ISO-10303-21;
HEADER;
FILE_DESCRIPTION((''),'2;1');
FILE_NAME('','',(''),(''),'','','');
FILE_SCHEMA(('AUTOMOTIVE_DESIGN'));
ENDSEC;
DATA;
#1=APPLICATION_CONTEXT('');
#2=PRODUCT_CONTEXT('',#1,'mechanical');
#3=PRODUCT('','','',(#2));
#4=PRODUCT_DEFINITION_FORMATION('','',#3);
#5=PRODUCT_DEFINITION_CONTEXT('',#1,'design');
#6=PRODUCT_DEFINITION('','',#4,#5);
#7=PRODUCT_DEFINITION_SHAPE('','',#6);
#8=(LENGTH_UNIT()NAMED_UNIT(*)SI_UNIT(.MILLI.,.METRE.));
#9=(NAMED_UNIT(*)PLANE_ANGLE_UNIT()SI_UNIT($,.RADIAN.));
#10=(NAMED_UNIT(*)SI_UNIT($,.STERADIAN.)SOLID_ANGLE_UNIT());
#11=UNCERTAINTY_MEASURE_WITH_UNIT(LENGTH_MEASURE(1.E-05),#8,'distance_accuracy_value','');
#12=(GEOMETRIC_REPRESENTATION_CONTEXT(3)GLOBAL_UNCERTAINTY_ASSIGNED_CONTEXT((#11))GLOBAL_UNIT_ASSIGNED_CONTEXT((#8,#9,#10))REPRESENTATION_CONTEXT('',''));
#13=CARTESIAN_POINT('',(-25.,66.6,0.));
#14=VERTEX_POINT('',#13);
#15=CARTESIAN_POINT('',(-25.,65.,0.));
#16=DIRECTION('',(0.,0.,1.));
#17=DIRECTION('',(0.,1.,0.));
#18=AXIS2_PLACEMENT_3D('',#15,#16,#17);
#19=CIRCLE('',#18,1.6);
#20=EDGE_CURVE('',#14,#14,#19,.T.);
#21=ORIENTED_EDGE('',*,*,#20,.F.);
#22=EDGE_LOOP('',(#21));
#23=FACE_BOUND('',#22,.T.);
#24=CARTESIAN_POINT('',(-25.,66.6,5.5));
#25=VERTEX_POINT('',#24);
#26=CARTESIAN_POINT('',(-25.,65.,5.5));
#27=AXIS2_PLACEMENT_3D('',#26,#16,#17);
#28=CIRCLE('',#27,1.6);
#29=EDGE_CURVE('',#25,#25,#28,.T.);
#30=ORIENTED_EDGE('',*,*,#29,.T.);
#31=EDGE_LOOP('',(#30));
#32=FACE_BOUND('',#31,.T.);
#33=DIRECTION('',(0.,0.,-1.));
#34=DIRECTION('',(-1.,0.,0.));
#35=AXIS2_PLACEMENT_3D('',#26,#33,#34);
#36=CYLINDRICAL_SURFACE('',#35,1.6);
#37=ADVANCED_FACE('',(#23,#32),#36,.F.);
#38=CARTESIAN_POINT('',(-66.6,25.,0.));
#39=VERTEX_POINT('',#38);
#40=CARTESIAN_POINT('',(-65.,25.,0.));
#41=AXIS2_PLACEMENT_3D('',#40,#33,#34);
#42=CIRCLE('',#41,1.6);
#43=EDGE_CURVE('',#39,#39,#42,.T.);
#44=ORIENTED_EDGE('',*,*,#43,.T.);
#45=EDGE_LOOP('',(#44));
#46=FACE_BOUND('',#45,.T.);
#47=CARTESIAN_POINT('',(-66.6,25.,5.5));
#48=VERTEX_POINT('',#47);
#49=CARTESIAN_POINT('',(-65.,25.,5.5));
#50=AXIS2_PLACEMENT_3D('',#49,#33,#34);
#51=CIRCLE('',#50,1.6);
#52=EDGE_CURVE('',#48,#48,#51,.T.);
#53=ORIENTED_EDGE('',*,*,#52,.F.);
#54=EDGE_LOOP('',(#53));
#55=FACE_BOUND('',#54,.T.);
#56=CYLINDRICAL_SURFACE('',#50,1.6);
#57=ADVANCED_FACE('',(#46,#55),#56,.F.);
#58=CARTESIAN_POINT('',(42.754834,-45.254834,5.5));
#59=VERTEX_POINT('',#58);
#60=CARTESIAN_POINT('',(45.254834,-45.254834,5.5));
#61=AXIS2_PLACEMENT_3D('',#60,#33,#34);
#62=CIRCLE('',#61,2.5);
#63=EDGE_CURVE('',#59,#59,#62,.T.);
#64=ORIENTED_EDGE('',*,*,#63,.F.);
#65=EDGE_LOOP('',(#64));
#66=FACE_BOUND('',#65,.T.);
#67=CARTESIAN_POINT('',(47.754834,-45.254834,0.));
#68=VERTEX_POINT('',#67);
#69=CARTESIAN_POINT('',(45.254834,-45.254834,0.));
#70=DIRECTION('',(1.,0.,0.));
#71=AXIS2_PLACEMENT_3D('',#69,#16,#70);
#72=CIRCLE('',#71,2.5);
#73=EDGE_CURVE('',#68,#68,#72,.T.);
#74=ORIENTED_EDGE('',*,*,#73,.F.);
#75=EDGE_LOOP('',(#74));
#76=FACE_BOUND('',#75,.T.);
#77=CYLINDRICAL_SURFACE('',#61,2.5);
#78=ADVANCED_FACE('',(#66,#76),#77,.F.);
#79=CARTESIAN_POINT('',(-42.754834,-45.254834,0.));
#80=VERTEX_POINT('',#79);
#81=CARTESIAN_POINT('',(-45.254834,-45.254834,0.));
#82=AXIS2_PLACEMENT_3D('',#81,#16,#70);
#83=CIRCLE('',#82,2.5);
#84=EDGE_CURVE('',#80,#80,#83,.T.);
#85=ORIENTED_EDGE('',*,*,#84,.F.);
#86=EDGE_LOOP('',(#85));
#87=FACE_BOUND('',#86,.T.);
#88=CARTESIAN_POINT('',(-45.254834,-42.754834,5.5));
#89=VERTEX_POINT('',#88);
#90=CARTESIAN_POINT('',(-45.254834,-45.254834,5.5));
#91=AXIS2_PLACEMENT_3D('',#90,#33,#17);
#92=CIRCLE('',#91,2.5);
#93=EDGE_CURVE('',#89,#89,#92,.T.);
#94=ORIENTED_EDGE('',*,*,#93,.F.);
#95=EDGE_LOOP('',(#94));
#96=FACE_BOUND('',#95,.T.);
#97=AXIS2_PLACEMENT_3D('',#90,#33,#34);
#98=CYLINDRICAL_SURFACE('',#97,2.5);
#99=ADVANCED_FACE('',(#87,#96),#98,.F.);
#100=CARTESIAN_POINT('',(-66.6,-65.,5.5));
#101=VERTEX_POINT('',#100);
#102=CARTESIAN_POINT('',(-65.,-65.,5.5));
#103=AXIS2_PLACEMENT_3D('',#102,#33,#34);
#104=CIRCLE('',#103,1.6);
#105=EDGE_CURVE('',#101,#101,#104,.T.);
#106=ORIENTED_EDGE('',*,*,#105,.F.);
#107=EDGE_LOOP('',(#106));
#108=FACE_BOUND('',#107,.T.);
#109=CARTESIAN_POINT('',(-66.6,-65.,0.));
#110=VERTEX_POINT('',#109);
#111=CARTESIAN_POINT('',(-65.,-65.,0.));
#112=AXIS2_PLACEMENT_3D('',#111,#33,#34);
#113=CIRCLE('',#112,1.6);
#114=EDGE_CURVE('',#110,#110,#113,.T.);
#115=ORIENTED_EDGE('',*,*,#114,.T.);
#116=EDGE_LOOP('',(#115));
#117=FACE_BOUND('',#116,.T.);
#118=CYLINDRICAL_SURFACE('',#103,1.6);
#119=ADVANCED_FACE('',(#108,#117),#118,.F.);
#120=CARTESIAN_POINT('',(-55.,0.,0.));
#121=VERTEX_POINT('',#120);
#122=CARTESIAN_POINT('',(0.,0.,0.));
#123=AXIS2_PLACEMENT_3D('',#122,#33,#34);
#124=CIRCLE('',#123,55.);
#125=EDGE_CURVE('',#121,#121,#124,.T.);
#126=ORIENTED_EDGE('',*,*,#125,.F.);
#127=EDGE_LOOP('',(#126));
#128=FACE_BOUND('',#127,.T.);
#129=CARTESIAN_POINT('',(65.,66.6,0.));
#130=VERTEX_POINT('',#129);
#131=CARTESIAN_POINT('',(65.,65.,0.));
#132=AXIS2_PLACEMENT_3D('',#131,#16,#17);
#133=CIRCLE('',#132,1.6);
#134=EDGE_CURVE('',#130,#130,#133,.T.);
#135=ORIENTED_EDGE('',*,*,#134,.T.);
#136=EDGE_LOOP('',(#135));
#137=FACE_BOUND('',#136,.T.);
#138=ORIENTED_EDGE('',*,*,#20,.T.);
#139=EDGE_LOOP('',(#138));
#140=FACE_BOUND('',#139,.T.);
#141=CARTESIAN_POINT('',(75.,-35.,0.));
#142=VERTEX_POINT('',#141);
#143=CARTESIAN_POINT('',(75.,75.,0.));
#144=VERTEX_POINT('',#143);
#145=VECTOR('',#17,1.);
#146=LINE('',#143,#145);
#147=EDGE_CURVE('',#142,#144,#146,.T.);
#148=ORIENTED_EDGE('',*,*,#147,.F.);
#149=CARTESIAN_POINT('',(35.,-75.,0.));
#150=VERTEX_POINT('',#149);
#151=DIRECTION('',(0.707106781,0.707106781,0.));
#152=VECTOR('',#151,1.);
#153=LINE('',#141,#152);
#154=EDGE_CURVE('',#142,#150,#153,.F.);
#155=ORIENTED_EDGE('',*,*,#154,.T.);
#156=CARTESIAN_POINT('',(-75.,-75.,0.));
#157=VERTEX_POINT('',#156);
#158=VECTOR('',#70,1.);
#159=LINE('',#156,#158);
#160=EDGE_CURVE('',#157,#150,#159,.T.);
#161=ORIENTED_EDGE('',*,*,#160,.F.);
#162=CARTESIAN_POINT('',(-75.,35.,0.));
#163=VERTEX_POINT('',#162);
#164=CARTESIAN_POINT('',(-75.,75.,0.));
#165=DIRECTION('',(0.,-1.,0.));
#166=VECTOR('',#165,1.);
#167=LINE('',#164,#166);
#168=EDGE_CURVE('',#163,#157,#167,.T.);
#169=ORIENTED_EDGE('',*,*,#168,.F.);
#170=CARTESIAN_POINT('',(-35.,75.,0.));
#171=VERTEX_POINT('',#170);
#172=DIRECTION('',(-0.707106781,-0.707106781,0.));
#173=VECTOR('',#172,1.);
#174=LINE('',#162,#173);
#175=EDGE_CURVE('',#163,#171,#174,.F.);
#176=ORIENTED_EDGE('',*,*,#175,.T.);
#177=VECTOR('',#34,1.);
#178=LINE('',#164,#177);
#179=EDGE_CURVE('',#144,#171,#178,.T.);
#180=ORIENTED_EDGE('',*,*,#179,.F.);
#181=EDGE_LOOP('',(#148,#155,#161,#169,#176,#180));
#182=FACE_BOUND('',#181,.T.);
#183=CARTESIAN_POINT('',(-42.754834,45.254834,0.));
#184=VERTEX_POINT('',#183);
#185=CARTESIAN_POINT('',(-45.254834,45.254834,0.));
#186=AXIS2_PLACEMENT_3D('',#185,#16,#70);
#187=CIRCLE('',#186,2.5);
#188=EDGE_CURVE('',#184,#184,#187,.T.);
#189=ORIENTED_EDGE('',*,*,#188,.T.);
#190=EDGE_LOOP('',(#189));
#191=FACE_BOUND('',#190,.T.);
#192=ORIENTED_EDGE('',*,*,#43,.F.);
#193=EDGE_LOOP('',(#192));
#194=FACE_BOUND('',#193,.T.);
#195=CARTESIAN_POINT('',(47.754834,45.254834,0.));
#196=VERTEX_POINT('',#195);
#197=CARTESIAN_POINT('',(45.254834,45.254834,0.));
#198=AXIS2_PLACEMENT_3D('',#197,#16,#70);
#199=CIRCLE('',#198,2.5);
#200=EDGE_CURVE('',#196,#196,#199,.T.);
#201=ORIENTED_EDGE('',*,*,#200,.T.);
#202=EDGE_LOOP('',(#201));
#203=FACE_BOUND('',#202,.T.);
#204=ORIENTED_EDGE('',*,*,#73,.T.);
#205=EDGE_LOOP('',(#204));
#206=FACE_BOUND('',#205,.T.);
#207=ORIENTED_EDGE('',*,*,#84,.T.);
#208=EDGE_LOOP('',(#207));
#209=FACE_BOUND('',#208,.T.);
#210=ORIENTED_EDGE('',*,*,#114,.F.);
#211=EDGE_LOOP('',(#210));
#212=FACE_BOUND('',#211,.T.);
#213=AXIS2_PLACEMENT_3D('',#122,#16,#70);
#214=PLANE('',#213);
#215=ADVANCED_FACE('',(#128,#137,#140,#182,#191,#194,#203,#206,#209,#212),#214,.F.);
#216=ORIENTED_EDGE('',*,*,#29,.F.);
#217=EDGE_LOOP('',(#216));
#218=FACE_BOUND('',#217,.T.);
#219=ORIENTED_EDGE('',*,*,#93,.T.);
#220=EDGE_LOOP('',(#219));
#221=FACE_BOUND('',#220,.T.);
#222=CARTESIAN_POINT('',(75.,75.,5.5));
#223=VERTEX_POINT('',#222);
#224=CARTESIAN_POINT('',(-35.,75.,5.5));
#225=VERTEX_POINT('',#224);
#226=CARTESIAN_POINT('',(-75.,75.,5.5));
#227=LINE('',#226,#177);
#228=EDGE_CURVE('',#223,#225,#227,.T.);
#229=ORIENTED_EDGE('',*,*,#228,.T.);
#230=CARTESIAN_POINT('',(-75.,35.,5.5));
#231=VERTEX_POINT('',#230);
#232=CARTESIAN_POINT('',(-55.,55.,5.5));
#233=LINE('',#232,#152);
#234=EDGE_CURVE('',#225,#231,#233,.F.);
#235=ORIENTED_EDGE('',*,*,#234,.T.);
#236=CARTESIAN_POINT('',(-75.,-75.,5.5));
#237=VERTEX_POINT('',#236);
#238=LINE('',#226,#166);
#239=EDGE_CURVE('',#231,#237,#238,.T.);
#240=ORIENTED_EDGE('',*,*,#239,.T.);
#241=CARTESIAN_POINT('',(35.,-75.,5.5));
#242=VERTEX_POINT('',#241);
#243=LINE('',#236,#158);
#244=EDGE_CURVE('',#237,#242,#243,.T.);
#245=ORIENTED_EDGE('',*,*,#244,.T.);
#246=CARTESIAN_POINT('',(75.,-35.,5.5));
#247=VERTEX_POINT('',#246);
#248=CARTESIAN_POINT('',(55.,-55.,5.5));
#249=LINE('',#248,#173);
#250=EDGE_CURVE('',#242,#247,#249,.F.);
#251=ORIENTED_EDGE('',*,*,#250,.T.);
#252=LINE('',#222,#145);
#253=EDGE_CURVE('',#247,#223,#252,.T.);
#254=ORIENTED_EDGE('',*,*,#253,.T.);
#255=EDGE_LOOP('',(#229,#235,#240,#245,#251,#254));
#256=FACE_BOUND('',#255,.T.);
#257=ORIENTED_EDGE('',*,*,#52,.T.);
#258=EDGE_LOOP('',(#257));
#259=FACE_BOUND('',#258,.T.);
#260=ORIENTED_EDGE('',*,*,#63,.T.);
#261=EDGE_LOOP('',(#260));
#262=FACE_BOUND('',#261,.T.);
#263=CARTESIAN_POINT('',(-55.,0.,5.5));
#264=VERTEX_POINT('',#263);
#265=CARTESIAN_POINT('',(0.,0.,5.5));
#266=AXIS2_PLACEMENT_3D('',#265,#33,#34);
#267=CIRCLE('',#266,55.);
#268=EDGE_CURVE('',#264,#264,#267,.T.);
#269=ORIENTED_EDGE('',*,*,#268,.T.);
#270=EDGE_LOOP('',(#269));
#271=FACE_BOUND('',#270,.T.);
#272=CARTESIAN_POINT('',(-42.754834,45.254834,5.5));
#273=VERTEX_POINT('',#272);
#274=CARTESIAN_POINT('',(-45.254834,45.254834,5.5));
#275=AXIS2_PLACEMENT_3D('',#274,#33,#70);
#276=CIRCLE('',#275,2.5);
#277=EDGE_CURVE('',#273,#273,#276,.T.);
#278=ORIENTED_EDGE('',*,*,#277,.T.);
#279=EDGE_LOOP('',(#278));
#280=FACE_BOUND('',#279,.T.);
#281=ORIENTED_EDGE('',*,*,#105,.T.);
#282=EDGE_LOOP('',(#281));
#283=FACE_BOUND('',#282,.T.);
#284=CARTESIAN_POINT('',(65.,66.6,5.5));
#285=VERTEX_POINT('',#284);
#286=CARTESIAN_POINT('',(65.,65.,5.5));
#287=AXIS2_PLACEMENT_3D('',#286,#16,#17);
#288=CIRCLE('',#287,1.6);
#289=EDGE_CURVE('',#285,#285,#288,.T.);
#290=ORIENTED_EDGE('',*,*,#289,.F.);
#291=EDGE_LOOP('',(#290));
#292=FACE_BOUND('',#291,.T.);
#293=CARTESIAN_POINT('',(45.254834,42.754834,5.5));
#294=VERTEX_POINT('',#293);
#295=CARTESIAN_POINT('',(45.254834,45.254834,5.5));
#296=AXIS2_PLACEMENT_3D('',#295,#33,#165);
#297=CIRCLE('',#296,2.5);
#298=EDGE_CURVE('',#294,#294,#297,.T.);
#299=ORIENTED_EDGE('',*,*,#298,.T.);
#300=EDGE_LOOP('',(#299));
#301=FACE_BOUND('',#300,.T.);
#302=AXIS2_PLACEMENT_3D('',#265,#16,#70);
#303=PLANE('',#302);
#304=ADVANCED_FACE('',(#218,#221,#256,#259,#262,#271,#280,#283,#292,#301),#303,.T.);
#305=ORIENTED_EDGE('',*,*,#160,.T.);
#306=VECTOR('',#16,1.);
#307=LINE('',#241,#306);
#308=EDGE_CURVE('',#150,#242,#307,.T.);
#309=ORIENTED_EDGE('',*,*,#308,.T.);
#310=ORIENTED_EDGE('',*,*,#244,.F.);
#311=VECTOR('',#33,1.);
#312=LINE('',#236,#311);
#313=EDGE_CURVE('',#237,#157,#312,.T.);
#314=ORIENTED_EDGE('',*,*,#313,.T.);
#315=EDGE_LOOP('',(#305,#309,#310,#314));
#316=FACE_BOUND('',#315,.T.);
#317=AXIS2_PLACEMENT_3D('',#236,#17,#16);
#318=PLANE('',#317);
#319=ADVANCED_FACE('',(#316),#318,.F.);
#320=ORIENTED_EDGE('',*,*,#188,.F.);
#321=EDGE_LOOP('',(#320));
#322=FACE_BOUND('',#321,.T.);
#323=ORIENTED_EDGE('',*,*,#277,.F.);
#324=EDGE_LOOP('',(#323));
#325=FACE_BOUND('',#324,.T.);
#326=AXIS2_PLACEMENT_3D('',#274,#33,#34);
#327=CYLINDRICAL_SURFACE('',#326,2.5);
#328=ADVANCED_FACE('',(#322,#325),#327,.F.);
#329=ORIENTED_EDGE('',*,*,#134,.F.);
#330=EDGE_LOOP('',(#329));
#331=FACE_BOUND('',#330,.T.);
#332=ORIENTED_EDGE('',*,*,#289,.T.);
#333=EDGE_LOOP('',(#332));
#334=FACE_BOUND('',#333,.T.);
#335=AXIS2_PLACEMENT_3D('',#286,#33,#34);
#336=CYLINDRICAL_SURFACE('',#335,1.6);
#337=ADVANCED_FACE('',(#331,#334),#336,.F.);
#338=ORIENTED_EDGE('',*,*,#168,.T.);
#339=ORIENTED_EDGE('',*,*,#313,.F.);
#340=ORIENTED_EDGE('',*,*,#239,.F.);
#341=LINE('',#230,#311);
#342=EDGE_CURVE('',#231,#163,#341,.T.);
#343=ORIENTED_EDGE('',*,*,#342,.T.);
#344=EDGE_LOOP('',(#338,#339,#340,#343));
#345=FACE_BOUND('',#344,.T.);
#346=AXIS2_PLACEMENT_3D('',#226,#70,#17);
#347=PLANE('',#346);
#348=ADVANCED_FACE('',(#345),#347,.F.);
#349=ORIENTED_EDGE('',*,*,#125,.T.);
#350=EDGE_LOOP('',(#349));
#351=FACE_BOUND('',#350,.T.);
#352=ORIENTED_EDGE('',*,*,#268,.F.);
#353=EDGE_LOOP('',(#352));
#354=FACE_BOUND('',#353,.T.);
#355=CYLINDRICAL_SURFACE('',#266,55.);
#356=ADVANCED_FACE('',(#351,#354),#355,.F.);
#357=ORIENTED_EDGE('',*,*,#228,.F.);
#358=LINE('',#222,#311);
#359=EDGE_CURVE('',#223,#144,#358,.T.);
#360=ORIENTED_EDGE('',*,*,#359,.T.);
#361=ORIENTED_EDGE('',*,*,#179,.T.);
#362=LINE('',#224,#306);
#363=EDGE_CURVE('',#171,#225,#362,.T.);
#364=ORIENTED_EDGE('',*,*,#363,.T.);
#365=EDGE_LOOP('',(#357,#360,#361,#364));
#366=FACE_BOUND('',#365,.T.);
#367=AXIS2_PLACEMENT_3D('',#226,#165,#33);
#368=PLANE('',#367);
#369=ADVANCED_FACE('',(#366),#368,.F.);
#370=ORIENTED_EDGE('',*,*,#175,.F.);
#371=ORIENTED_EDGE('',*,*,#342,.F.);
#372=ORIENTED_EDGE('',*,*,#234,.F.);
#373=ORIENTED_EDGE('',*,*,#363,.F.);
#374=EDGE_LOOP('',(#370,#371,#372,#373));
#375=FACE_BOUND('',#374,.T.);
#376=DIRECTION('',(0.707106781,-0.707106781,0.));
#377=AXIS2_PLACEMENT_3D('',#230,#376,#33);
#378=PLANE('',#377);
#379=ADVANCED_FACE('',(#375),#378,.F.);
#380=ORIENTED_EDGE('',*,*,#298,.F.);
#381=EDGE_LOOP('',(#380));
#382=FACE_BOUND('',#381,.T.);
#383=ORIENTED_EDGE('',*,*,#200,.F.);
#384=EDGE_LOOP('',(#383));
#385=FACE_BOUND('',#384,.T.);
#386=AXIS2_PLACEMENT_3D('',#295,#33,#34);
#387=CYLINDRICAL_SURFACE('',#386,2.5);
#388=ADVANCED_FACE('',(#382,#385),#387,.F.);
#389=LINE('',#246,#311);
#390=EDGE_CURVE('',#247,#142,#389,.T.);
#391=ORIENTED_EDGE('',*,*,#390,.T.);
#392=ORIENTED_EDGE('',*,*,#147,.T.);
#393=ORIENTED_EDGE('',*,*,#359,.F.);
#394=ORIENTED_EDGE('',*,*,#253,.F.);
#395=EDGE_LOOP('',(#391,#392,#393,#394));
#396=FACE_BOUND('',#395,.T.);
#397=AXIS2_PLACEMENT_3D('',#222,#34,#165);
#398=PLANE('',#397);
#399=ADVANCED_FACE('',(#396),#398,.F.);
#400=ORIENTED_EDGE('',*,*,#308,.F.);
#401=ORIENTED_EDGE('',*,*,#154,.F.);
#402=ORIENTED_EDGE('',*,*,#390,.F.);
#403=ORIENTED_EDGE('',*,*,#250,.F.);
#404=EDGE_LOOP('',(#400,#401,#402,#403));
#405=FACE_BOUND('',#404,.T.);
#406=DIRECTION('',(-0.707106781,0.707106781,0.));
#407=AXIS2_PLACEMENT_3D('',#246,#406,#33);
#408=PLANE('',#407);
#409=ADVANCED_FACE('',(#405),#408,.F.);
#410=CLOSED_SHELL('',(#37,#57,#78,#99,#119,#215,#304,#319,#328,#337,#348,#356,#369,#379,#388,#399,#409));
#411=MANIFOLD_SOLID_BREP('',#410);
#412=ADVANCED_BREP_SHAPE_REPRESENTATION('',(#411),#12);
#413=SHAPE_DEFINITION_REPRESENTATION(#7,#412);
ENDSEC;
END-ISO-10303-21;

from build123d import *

# Parameters (mm, degrees)
SKETCH_1_W                       = 150
SKETCH_1_H                       = 150
EXTRUDE_1_DEPTH                  = 5.5
SKETCH_2_R                       = 2.5
CUT_EXTRUDE_1_DEPTH              = 107.208521315
CUT_EXTRUDE_2_DEPTH              = 107.208521315
CUT_EXTRUDE_2_DEPTH_BACK         = 107.208521315
SKETCH_3_R                       = 55
PATTERN_CIRCULAR_1_COUNT         = 4
SKETCH_4_R                       = 1.6
CUT_EXTRUDE_3_DEPTH              = 107.208521315
CHAMFER_1_SIZE                   = 40
CHAMFER_2_SIZE                   = 40
PATTERN_LINEAR_1_COUNT           = 2
PATTERN_LINEAR_1_PITCH           = 90
PATTERN_LINEAR_2_COPY_1_SKETCH_R = 1.6
PATTERN_LINEAR_2_COPY_1_DEPTH    = 107.208521315
PATTERN_LINEAR_2_COPY_2_SKETCH_R = 1.6
PATTERN_LINEAR_2_COPY_2_DEPTH    = 107.208521315


with BuildPart() as part:
    # ｽｹｯﾁ1 → ﾎﾞｽ - 押し出し1 (new body)
    with BuildSketch(Plane.XY):
        Rectangle(SKETCH_1_W, SKETCH_1_H)
    extrude(amount=EXTRUDE_1_DEPTH)

    # ｽｹｯﾁ2 → ｶｯﾄ - 押し出し1 (cut, symmetric)
    with BuildSketch(Plane(origin=(0, 0, 0), x_dir=(-1, 0, 0), z_dir=(0, 0, -1))):
        with Locations((-45.254833996, -45.254833996)):
            Circle(SKETCH_2_R)
    cut_extrude_1 = extrude(amount=CUT_EXTRUDE_1_DEPTH, both=True, mode=Mode.SUBTRACT)

    # ｽｹｯﾁ3 → ｶｯﾄ - 押し出し2 (cut, two sides: drawn at the far end of the back side and taken through both)
    with BuildSketch(Plane(origin=(0, 0, 0), x_dir=(-1, 0, 0), z_dir=(0, 0, -1)).offset(-CUT_EXTRUDE_2_DEPTH_BACK)):
        Circle(SKETCH_3_R)
    extrude(amount=CUT_EXTRUDE_2_DEPTH + CUT_EXTRUDE_2_DEPTH_BACK, mode=Mode.SUBTRACT)

    # 円形ﾊﾟﾀｰﾝ1: ｶｯﾄ - 押し出し1 ×4 about axis
    pattern_circular_1_axis = Axis((0, 0, 0), (0, 0, 1))
    for i in range(1, PATTERN_CIRCULAR_1_COUNT):
        add(cut_extrude_1.rotate(pattern_circular_1_axis, i * 360 / PATTERN_CIRCULAR_1_COUNT), mode=Mode.SUBTRACT)

    # ｽｹｯﾁ4 → ｶｯﾄ - 押し出し3 (cut, symmetric)
    with BuildSketch(Plane(origin=(0, 0, 0), x_dir=(-1, 0, 0), z_dir=(0, 0, -1))):
        with Locations((65, -65)):
            Circle(SKETCH_4_R)
    cut_extrude_3 = extrude(amount=CUT_EXTRUDE_3_DEPTH, both=True, mode=Mode.SUBTRACT)

    # 面取り1
    chamfer_1_edges = [part.edges().sort_by_distance(p)[0] for p in [
        (-75, 75, 2.75),
    ]]
    chamfer(chamfer_1_edges, length=CHAMFER_1_SIZE)

    # 面取り2
    chamfer_2_edges = [part.edges().sort_by_distance(p)[0] for p in [
        (75, -75, 2.75),
    ]]
    chamfer(chamfer_2_edges, length=CHAMFER_2_SIZE)

    # 直線ﾊﾟﾀｰﾝ1: ｶｯﾄ - 押し出し3 ×2
    with Locations(*[(0, i * PATTERN_LINEAR_1_PITCH, 0) for i in range(1, PATTERN_LINEAR_1_COUNT)]):
        add(cut_extrude_3, mode=Mode.SUBTRACT)

    # ﾐﾗｰ1: ｶｯﾄ - 押し出し3 across plane
    add(cut_extrude_3.mirror(Plane(origin=(0, 0, 0), x_dir=(0, 0, 1), z_dir=(-0.7071067811865475, -0.7071067811865476, 0))), mode=Mode.SUBTRACT)

    # 直線ﾊﾟﾀｰﾝ2 copy 1 sketch → 直線ﾊﾟﾀｰﾝ2 copy 1 (cut, symmetric)
    with BuildSketch(Plane(origin=(-90, 0, 0), x_dir=(0, 1, 0), z_dir=(0, 0, -1))):
        with Locations((65, 65)):
            Circle(PATTERN_LINEAR_2_COPY_1_SKETCH_R)
    extrude(amount=PATTERN_LINEAR_2_COPY_1_DEPTH, both=True, mode=Mode.SUBTRACT)

    # 直線ﾊﾟﾀｰﾝ2 copy 2 sketch → 直線ﾊﾟﾀｰﾝ2 copy 2 (cut, symmetric)
    with BuildSketch(Plane(origin=(-90, 0, 0), x_dir=(-1, 0, 0), z_dir=(0, 0, -1))):
        with Locations((65, -65)):
            Circle(PATTERN_LINEAR_2_COPY_2_SKETCH_R)
    extrude(amount=PATTERN_LINEAR_2_COPY_2_DEPTH, both=True, mode=Mode.SUBTRACT)


solid = part.part
